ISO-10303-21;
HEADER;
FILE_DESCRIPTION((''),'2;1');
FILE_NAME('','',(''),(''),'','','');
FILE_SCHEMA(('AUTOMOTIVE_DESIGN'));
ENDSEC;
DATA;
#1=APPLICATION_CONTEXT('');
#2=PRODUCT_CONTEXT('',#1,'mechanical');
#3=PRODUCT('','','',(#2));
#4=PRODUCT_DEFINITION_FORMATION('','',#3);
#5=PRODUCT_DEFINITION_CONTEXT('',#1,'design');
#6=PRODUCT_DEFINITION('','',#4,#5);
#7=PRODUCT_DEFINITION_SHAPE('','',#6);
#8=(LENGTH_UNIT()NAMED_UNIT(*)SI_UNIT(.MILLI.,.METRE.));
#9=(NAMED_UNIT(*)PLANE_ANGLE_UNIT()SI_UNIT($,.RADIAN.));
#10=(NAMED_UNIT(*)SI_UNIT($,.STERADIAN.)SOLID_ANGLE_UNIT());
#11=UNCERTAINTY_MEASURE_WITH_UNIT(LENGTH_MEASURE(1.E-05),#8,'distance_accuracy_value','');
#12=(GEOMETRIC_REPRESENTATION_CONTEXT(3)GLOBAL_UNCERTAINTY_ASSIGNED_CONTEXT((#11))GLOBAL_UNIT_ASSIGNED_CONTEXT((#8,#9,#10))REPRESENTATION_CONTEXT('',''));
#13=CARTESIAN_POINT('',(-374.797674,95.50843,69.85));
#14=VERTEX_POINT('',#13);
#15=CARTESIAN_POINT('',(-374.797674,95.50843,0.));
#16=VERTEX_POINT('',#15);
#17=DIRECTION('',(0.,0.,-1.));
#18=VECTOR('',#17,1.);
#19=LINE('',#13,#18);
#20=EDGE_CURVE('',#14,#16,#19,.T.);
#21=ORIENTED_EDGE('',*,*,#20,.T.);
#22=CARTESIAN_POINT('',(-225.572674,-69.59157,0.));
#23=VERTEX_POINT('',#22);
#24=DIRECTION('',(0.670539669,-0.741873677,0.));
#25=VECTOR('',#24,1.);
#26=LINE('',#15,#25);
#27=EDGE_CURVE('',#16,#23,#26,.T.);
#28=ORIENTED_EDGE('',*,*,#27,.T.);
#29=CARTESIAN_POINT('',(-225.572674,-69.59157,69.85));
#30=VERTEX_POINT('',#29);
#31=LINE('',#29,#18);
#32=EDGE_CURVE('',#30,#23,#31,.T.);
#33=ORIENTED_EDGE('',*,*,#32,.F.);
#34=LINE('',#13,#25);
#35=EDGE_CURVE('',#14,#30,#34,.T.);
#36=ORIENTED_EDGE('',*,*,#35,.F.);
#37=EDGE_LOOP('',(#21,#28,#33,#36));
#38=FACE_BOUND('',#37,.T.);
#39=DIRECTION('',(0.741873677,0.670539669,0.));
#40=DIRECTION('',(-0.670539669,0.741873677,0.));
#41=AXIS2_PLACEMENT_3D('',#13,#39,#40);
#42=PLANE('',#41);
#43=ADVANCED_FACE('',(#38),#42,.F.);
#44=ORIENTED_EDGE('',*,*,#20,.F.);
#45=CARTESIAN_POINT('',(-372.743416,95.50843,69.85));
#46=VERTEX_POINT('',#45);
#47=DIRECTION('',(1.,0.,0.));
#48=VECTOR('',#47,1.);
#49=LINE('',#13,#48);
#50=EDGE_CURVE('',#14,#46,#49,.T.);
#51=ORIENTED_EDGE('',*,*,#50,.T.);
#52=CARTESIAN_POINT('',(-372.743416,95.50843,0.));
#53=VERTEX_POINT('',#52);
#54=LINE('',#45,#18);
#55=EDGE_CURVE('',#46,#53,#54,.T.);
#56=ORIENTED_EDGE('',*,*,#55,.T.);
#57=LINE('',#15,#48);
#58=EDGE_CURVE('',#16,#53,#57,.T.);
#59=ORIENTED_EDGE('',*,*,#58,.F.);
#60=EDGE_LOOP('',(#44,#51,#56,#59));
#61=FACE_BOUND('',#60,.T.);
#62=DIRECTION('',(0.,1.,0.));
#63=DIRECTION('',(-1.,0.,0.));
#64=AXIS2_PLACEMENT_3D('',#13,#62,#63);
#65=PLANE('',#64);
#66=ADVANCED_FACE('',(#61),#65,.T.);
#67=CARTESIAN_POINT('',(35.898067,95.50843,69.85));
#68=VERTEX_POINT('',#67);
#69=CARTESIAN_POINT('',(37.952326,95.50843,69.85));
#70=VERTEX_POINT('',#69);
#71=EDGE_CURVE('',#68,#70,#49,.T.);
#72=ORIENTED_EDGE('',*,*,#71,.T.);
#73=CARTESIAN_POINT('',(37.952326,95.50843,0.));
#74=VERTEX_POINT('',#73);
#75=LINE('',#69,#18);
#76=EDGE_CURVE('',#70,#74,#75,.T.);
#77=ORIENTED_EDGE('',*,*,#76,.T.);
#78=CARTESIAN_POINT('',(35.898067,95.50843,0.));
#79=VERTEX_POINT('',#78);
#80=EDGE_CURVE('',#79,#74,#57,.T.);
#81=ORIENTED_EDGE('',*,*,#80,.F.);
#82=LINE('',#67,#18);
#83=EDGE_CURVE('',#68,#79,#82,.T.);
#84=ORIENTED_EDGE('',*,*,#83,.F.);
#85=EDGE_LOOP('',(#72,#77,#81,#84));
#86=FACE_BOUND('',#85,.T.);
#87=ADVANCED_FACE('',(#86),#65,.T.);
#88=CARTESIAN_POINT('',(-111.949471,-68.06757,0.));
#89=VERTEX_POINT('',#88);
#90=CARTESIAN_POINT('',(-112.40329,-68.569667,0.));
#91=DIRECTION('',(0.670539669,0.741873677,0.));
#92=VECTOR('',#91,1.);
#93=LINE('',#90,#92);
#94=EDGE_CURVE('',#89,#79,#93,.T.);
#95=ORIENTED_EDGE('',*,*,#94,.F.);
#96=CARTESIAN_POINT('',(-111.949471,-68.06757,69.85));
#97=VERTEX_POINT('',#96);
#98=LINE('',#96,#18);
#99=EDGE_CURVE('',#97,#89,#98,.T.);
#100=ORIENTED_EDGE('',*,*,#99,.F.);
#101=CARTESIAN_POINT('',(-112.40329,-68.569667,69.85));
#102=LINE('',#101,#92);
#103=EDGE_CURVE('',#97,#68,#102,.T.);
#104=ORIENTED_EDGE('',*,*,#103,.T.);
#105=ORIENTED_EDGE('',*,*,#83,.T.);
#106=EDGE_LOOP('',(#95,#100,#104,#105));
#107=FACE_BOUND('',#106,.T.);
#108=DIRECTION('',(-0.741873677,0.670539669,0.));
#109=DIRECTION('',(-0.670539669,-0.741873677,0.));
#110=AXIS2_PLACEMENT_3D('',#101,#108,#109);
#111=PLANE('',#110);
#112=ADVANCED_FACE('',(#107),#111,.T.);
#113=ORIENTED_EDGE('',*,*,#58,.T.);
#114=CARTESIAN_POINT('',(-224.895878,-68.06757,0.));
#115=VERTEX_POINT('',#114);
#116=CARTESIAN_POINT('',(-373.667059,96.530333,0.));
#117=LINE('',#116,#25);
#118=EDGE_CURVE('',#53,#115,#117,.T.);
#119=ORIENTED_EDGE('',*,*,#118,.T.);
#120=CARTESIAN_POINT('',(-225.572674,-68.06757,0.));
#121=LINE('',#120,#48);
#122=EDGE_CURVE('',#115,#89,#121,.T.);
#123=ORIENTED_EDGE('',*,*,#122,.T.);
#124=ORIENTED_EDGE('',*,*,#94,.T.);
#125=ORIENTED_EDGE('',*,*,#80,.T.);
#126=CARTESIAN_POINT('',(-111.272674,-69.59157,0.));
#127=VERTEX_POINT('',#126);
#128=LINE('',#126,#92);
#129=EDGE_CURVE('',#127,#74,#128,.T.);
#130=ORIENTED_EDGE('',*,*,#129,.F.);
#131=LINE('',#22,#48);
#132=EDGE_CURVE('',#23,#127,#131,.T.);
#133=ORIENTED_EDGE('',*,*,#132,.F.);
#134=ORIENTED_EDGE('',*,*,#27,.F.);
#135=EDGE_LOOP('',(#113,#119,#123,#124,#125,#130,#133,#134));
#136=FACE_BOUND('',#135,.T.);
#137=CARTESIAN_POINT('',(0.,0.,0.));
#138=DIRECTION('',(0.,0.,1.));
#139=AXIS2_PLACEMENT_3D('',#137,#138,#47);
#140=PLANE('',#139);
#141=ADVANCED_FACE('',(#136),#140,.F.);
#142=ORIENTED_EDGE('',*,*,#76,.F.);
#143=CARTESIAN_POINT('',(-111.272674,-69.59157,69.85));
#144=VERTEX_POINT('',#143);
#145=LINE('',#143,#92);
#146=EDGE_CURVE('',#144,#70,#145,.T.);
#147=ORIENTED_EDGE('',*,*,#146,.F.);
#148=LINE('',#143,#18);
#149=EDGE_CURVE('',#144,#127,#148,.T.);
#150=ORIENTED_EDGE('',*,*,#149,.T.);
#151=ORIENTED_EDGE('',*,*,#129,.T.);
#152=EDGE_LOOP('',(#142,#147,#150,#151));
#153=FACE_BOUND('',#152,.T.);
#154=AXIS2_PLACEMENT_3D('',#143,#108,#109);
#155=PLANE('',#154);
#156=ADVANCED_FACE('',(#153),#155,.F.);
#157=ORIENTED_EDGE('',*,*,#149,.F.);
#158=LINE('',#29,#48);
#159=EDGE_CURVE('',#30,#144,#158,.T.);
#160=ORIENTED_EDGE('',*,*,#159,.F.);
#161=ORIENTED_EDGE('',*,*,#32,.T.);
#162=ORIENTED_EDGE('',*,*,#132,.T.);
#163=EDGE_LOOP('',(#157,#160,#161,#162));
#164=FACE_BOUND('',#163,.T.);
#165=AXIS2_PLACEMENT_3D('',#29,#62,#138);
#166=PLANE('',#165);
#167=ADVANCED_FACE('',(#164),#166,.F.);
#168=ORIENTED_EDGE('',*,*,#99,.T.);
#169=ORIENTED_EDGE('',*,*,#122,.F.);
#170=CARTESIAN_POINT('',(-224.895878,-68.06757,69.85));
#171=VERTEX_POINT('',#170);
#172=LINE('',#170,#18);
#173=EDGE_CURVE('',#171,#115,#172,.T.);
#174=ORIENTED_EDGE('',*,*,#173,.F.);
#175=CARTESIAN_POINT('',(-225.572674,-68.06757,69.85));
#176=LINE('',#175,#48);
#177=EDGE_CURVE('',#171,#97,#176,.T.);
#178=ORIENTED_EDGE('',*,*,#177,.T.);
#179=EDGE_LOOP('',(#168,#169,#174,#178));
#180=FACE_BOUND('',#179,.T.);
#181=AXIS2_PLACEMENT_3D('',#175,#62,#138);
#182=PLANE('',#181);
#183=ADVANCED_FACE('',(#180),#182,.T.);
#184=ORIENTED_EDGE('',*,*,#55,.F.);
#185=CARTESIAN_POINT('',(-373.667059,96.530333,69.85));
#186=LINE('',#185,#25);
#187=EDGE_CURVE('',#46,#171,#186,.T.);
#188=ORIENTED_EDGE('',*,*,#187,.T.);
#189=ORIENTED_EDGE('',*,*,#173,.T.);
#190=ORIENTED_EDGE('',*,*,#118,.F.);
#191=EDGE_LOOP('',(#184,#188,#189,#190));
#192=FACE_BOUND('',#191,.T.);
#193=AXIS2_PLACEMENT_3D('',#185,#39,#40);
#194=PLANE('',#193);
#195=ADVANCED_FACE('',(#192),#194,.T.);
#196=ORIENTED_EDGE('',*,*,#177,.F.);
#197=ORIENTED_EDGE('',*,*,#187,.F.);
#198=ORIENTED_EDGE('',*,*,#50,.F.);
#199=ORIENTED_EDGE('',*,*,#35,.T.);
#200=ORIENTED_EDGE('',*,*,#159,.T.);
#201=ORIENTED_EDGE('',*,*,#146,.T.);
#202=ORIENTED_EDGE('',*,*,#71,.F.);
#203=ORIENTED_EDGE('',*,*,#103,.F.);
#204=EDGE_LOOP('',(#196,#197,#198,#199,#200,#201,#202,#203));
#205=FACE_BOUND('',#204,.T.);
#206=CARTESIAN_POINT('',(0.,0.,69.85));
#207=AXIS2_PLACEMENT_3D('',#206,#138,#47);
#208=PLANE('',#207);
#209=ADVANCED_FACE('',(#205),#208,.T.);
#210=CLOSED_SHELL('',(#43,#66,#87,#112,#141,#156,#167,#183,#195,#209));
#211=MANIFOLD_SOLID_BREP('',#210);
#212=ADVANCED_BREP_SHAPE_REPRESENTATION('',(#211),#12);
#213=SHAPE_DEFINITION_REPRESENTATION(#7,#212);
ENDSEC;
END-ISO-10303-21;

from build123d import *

# Parameters (mm, degrees)
BOSS_EXTRUDE1_DEPTH = 69.85
SHELL10_T           = -1.524


with BuildPart() as part:
    # Sketch1 → Boss-Extrude1 (new body)
    with BuildSketch(Plane.XY):
        Polygon((-374.797674419, 95.508430233), (37.952325581, 95.508430233), (-111.272674419, -69.591569767), (-225.572674419, -69.591569767), align=None)
    extrude(amount=BOSS_EXTRUDE1_DEPTH)

    # Shell10
    shell10_openings = [part.faces().sort_by_distance(p)[0] for p in [
        (-168.422674419, 12.958430233, 69.85),
        (-168.422674419, 12.958430233, 0),
        (-168.422674419, 95.508430233, 34.925),
    ]]
    offset(amount=SHELL10_T, openings=shell10_openings, kind=Kind.INTERSECTION)


solid = part.part
